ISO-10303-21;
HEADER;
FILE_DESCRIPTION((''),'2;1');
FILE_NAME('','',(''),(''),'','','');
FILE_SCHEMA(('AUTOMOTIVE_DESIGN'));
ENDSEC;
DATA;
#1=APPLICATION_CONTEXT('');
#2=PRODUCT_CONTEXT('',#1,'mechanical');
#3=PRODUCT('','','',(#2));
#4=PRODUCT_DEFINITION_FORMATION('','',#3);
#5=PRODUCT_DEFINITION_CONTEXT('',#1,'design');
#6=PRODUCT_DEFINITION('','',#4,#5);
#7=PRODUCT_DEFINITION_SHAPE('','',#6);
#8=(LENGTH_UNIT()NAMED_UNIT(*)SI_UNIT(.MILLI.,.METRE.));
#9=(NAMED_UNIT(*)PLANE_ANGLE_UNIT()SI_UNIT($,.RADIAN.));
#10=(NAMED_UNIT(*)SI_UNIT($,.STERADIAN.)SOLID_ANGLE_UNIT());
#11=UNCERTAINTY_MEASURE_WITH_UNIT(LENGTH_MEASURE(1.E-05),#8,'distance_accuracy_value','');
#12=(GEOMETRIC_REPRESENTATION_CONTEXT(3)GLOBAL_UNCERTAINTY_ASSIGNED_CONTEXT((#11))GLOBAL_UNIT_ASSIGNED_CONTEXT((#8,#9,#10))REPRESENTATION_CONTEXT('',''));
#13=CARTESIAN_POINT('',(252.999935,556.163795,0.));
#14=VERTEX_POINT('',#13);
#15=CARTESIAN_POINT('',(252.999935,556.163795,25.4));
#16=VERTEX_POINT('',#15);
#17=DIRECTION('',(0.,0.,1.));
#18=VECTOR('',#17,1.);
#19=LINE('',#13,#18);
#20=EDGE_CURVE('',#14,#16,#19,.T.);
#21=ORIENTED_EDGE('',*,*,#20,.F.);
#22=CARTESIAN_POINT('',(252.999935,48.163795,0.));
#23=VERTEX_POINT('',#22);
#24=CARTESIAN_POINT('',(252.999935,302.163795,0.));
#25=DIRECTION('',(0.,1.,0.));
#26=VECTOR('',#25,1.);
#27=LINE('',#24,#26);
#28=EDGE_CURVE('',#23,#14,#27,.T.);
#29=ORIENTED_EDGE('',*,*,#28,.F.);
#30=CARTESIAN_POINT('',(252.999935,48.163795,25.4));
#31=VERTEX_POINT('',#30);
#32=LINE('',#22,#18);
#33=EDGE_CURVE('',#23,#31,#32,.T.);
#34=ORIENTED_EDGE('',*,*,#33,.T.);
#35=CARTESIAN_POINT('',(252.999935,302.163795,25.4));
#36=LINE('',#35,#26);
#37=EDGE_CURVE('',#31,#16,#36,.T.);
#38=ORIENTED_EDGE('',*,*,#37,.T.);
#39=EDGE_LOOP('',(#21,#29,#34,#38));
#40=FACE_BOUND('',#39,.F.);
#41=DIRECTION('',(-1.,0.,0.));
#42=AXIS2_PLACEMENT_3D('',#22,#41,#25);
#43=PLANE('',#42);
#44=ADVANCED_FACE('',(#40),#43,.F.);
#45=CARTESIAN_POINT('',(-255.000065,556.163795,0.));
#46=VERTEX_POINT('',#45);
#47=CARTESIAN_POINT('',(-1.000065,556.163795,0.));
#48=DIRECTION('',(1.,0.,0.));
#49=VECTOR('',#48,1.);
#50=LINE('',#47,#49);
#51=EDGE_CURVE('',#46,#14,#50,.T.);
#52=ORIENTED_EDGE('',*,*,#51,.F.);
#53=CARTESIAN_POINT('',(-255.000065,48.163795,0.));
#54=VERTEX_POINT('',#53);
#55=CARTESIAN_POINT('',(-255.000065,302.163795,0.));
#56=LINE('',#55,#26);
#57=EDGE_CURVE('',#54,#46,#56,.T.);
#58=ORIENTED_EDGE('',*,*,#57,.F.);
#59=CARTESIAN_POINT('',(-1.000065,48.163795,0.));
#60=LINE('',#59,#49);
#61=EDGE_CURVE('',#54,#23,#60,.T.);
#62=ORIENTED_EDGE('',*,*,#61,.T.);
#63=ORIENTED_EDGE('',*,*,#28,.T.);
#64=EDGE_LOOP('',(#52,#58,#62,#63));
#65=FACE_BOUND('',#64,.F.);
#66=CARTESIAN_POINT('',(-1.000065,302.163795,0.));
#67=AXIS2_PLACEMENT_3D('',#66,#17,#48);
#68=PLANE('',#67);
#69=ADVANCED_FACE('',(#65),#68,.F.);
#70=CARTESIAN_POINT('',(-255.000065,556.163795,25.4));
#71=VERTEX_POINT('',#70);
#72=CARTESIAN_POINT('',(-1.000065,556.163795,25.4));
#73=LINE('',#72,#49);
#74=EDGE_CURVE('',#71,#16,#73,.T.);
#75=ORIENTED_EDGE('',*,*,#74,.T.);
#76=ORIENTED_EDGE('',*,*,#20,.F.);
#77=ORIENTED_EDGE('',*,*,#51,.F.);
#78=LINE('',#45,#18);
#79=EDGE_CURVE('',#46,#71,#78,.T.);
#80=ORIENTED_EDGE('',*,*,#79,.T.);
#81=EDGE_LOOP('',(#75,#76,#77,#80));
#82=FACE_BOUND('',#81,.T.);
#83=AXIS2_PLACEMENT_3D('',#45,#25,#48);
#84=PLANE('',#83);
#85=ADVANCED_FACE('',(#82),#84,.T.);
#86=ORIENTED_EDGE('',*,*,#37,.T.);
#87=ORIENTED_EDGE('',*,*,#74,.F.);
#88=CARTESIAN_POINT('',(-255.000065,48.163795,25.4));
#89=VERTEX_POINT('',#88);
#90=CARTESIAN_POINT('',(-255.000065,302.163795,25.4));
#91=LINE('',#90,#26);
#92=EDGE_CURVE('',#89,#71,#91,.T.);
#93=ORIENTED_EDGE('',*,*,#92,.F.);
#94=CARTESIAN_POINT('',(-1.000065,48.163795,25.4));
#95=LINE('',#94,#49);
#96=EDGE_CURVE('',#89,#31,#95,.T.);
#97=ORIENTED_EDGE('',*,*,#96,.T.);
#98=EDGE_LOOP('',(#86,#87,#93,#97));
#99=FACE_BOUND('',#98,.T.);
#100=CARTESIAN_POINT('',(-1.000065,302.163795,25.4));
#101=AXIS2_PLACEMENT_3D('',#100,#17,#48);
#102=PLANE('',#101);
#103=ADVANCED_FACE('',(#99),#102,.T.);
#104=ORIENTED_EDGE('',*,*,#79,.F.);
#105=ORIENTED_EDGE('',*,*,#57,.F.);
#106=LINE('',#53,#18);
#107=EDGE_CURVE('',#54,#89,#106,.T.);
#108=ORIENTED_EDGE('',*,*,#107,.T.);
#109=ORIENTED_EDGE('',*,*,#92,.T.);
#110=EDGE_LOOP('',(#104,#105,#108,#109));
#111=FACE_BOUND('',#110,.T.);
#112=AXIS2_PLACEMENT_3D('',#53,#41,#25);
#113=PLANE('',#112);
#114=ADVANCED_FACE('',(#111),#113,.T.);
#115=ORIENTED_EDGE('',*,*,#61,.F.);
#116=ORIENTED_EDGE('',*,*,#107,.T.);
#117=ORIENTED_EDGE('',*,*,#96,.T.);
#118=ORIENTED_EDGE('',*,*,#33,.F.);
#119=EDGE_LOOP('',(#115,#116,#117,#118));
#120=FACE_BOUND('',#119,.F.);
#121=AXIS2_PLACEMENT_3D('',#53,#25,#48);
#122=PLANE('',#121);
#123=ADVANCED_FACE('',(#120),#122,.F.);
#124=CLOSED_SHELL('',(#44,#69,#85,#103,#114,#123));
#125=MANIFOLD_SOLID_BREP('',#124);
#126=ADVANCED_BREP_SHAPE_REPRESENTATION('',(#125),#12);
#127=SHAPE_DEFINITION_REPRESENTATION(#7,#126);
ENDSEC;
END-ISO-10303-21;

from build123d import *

# Parameters (mm, degrees)
F1_W     = 508
F1_H     = 508
F2_DEPTH = 25.4


with BuildPart() as f2:
    # F1 (on face) → F2 (new body)
    with BuildSketch(Plane.XY):
        with Locations((-1.000065, 302.163795)):
            Rectangle(F1_W, F1_H)
    extrude(amount=F2_DEPTH)


solid = f2.part
